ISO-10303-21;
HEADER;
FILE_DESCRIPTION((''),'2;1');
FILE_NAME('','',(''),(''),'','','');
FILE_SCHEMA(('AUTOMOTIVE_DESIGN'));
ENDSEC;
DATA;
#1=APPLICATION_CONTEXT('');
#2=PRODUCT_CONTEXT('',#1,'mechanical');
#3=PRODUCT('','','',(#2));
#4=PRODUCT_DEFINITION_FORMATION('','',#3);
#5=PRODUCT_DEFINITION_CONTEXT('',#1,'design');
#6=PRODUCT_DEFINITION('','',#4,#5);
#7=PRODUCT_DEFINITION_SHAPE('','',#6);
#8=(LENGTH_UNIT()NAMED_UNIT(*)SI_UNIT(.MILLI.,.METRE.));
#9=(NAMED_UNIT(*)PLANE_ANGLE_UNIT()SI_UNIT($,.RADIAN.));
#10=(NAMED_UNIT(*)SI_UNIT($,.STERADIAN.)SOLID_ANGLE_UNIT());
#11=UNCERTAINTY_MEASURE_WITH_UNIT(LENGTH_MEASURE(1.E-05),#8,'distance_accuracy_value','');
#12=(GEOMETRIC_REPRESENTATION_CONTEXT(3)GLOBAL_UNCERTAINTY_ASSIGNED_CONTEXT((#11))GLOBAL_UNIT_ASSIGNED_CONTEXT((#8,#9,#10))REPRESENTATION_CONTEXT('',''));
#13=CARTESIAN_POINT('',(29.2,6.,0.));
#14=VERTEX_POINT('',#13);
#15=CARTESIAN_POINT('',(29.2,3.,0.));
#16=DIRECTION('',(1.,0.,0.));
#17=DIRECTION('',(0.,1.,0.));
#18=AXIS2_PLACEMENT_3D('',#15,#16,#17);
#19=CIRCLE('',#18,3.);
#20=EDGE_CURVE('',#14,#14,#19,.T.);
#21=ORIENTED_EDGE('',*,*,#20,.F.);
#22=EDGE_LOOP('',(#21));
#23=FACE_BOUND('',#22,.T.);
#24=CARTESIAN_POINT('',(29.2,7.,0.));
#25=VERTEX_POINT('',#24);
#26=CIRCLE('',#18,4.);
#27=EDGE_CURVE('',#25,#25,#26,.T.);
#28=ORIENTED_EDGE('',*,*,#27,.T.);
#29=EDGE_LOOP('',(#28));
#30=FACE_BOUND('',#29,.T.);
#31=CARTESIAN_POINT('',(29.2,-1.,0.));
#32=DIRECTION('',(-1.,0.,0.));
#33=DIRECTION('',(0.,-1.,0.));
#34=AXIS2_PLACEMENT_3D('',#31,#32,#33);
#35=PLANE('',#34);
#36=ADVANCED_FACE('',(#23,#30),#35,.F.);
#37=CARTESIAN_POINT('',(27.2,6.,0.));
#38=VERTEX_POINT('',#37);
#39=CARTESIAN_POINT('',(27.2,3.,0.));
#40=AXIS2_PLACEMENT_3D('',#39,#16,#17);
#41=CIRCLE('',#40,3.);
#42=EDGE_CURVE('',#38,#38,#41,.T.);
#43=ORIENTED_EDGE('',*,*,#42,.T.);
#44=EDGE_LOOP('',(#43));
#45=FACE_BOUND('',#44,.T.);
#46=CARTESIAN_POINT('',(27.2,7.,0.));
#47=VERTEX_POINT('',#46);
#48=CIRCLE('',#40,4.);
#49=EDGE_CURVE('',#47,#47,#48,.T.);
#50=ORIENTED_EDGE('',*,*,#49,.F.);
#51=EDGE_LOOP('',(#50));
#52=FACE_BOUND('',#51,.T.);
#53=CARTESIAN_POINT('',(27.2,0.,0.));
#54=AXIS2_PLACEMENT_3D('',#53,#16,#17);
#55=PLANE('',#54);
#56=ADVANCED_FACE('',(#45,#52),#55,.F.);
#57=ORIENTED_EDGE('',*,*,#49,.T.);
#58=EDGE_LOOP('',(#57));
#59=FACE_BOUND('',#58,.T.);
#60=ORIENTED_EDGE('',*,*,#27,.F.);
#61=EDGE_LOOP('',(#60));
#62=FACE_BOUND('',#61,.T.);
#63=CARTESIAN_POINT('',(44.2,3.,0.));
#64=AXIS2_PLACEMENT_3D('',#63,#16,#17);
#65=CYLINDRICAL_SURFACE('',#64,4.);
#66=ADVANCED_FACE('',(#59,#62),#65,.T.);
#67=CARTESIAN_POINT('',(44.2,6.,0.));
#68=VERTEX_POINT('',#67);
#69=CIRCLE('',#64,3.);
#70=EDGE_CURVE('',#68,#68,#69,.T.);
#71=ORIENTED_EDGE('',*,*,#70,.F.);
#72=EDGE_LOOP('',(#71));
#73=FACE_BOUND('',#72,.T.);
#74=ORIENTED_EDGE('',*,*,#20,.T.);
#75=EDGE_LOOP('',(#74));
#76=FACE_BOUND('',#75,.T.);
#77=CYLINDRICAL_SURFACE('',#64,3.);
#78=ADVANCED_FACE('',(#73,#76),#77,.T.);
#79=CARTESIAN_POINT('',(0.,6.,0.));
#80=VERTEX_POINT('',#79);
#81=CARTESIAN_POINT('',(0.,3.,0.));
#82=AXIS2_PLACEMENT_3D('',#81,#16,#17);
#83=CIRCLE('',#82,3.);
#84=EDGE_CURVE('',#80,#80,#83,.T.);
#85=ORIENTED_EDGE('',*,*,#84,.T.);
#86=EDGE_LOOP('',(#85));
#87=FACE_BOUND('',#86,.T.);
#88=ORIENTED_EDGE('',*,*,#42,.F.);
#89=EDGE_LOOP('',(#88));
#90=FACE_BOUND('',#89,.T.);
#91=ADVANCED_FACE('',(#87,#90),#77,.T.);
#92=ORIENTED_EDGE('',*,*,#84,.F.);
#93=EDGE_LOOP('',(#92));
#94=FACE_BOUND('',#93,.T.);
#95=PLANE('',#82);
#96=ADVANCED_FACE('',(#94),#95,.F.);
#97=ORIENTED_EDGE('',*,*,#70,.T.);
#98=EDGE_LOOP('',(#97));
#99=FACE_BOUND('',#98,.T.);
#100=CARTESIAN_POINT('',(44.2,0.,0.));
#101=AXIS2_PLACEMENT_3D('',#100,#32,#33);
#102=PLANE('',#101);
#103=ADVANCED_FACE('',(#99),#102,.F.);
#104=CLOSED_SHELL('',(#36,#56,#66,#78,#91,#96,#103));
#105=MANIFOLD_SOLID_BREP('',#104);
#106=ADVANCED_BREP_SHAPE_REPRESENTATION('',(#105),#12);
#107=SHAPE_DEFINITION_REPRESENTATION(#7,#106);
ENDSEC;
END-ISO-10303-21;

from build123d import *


with BuildPart() as part:
    # Sketch1 → Revolve1 (revolve)
    with BuildSketch(Plane.XY):
        Polygon((0, 3), (0, 0), (27.2, 0), (27.2, -1), (29.2, -1), (29.2, 0), (44.2, 0), (44.2, 3), align=None)
    revolve(axis=Axis((44.2, 3, 0), (-1, 0, 0)))


solid = part.part
